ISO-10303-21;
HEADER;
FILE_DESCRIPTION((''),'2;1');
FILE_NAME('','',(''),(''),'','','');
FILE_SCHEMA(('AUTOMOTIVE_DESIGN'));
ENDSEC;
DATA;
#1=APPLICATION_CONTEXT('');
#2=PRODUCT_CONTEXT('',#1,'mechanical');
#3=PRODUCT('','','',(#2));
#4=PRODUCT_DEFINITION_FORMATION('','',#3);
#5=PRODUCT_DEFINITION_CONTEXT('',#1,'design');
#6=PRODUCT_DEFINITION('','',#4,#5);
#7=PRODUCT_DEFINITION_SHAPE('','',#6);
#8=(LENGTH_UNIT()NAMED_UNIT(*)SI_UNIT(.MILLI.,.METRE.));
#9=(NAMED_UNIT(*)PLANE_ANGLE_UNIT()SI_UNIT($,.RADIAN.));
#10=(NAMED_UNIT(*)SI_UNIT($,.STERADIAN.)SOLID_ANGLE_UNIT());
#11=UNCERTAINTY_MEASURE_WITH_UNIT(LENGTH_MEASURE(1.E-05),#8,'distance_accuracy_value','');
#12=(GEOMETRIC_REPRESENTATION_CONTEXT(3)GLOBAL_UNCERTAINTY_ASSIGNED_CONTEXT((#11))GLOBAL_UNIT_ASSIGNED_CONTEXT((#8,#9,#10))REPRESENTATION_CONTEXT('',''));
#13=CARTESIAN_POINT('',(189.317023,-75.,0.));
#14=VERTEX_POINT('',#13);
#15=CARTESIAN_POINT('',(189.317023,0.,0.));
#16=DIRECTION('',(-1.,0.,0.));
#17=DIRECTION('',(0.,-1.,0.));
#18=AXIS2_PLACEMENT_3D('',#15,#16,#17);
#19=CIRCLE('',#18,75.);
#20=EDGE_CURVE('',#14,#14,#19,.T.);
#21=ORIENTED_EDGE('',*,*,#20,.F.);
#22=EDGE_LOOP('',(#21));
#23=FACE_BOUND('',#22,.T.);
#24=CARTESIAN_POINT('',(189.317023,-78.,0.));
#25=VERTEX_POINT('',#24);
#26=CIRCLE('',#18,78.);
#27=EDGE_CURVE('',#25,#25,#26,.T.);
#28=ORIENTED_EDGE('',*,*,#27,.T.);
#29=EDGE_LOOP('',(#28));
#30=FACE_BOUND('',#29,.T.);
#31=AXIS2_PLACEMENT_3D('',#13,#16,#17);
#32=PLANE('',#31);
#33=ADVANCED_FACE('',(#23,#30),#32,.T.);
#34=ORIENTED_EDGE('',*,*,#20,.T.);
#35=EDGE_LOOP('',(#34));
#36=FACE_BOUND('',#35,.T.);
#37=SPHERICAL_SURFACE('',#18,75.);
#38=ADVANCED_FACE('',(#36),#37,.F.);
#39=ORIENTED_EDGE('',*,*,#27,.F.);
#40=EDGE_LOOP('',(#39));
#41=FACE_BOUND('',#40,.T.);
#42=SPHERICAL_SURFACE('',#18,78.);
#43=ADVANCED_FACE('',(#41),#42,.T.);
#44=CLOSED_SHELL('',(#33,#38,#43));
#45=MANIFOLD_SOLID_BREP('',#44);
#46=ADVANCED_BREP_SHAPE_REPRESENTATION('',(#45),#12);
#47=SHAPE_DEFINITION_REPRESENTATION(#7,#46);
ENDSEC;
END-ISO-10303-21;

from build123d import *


with BuildPart() as part:
    # Sketch1 → Revolve1 (revolve)
    with BuildSketch(Plane.XY):
        with BuildLine():
            Line((189.317023445, -75), (189.317023445, -78))
            ThreePointArc((189.317023445, -78), (244.471352378, -55.154328933), (267.317023445, 0))
            Line((267.317023445, 0), (264.317023445, 0))
            ThreePointArc((264.317023445, 0), (242.350032034, -53.033008589), (189.317023445, -75))
        make_face()
    revolve(axis=Axis((189.317023445, 0, 0), (1, 0, 0)))


solid = part.part
